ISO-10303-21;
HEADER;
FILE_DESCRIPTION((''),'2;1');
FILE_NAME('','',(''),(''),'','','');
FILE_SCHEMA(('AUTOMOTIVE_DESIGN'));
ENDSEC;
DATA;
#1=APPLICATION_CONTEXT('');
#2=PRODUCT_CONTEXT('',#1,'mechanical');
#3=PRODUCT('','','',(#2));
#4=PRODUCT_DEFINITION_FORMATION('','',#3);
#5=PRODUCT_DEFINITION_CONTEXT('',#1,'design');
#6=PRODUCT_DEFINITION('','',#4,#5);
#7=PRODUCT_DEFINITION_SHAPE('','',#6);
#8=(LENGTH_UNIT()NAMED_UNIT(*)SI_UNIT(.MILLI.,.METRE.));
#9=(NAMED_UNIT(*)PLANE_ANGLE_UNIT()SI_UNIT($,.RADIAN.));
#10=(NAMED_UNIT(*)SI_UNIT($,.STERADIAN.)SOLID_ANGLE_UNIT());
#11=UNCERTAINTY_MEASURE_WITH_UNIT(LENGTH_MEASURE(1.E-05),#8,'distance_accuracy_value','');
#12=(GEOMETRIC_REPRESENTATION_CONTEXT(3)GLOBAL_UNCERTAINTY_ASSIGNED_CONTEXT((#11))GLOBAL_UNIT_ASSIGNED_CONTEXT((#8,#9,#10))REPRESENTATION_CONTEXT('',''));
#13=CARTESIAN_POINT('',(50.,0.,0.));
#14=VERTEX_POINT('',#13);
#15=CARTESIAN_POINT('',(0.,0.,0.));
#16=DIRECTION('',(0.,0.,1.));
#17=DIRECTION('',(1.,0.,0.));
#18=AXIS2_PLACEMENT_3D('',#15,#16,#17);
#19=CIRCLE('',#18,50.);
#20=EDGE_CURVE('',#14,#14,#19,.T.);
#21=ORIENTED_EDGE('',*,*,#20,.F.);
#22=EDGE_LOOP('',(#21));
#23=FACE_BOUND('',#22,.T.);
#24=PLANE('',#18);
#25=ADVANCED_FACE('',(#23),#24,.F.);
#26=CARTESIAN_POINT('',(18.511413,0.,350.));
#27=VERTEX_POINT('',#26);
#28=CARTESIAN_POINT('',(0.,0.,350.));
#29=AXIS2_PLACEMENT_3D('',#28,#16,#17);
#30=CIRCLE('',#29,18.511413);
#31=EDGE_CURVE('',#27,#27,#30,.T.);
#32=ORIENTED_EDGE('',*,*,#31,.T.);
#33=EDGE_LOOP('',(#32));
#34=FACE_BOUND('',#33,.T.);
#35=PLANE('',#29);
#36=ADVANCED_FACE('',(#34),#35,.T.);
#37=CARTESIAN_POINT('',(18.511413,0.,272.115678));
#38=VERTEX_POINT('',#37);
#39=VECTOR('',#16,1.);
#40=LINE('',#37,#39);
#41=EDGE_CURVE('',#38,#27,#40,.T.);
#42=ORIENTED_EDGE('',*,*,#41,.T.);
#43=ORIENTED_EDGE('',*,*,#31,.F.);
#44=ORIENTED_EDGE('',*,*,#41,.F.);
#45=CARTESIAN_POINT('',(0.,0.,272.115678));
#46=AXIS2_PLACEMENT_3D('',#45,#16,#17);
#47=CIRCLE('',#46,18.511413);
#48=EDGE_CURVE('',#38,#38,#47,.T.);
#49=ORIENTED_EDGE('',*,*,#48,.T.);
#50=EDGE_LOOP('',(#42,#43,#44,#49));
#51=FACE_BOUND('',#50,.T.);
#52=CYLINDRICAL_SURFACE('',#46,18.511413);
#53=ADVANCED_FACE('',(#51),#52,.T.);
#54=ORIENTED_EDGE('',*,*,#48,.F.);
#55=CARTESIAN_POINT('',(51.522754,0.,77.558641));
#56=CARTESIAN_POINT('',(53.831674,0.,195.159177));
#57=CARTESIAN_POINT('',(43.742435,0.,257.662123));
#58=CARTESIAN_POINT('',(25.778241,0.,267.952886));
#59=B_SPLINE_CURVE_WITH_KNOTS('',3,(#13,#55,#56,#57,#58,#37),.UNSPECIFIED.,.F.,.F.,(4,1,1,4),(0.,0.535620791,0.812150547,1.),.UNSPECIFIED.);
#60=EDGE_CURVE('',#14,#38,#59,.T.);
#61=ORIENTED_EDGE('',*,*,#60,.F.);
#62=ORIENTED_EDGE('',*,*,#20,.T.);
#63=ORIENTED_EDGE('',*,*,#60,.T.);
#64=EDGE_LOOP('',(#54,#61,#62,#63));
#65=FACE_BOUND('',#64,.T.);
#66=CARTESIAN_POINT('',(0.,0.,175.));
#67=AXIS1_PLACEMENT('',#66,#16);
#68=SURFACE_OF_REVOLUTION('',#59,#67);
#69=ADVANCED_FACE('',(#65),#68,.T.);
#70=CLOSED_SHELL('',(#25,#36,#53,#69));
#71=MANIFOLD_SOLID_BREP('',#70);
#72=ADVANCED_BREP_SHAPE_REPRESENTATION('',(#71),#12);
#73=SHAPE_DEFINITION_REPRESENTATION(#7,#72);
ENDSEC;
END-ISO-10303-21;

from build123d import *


with BuildPart() as f1:
    # F0 (on Front) → F1 (revolve)
    with BuildSketch(Plane.XZ):
        with BuildLine():
            Line((0, 350), (0, 0))
            Line((0, 0), (50, 0))
            add(Edge.make_bspline(
                [(50, 0), (51.5227542431, 77.5586406453), (53.8316744946, 195.1591772265), (43.7424348606, 257.6621230934), (25.7782409996, 267.9528855143), (18.5114126652, 272.1156775951)],
                knots=[0, 0, 0, 0, 0.5356207908, 0.8121505467, 1, 1, 1, 1], degree=3))
            Line((18.5114126652, 272.1156775951), (18.5114126652, 350))
            Line((18.5114126652, 350), (0, 350))
        make_face()
    revolve(axis=Axis((0, 0, 175), (0, 0, 1)))


solid = f1.part
